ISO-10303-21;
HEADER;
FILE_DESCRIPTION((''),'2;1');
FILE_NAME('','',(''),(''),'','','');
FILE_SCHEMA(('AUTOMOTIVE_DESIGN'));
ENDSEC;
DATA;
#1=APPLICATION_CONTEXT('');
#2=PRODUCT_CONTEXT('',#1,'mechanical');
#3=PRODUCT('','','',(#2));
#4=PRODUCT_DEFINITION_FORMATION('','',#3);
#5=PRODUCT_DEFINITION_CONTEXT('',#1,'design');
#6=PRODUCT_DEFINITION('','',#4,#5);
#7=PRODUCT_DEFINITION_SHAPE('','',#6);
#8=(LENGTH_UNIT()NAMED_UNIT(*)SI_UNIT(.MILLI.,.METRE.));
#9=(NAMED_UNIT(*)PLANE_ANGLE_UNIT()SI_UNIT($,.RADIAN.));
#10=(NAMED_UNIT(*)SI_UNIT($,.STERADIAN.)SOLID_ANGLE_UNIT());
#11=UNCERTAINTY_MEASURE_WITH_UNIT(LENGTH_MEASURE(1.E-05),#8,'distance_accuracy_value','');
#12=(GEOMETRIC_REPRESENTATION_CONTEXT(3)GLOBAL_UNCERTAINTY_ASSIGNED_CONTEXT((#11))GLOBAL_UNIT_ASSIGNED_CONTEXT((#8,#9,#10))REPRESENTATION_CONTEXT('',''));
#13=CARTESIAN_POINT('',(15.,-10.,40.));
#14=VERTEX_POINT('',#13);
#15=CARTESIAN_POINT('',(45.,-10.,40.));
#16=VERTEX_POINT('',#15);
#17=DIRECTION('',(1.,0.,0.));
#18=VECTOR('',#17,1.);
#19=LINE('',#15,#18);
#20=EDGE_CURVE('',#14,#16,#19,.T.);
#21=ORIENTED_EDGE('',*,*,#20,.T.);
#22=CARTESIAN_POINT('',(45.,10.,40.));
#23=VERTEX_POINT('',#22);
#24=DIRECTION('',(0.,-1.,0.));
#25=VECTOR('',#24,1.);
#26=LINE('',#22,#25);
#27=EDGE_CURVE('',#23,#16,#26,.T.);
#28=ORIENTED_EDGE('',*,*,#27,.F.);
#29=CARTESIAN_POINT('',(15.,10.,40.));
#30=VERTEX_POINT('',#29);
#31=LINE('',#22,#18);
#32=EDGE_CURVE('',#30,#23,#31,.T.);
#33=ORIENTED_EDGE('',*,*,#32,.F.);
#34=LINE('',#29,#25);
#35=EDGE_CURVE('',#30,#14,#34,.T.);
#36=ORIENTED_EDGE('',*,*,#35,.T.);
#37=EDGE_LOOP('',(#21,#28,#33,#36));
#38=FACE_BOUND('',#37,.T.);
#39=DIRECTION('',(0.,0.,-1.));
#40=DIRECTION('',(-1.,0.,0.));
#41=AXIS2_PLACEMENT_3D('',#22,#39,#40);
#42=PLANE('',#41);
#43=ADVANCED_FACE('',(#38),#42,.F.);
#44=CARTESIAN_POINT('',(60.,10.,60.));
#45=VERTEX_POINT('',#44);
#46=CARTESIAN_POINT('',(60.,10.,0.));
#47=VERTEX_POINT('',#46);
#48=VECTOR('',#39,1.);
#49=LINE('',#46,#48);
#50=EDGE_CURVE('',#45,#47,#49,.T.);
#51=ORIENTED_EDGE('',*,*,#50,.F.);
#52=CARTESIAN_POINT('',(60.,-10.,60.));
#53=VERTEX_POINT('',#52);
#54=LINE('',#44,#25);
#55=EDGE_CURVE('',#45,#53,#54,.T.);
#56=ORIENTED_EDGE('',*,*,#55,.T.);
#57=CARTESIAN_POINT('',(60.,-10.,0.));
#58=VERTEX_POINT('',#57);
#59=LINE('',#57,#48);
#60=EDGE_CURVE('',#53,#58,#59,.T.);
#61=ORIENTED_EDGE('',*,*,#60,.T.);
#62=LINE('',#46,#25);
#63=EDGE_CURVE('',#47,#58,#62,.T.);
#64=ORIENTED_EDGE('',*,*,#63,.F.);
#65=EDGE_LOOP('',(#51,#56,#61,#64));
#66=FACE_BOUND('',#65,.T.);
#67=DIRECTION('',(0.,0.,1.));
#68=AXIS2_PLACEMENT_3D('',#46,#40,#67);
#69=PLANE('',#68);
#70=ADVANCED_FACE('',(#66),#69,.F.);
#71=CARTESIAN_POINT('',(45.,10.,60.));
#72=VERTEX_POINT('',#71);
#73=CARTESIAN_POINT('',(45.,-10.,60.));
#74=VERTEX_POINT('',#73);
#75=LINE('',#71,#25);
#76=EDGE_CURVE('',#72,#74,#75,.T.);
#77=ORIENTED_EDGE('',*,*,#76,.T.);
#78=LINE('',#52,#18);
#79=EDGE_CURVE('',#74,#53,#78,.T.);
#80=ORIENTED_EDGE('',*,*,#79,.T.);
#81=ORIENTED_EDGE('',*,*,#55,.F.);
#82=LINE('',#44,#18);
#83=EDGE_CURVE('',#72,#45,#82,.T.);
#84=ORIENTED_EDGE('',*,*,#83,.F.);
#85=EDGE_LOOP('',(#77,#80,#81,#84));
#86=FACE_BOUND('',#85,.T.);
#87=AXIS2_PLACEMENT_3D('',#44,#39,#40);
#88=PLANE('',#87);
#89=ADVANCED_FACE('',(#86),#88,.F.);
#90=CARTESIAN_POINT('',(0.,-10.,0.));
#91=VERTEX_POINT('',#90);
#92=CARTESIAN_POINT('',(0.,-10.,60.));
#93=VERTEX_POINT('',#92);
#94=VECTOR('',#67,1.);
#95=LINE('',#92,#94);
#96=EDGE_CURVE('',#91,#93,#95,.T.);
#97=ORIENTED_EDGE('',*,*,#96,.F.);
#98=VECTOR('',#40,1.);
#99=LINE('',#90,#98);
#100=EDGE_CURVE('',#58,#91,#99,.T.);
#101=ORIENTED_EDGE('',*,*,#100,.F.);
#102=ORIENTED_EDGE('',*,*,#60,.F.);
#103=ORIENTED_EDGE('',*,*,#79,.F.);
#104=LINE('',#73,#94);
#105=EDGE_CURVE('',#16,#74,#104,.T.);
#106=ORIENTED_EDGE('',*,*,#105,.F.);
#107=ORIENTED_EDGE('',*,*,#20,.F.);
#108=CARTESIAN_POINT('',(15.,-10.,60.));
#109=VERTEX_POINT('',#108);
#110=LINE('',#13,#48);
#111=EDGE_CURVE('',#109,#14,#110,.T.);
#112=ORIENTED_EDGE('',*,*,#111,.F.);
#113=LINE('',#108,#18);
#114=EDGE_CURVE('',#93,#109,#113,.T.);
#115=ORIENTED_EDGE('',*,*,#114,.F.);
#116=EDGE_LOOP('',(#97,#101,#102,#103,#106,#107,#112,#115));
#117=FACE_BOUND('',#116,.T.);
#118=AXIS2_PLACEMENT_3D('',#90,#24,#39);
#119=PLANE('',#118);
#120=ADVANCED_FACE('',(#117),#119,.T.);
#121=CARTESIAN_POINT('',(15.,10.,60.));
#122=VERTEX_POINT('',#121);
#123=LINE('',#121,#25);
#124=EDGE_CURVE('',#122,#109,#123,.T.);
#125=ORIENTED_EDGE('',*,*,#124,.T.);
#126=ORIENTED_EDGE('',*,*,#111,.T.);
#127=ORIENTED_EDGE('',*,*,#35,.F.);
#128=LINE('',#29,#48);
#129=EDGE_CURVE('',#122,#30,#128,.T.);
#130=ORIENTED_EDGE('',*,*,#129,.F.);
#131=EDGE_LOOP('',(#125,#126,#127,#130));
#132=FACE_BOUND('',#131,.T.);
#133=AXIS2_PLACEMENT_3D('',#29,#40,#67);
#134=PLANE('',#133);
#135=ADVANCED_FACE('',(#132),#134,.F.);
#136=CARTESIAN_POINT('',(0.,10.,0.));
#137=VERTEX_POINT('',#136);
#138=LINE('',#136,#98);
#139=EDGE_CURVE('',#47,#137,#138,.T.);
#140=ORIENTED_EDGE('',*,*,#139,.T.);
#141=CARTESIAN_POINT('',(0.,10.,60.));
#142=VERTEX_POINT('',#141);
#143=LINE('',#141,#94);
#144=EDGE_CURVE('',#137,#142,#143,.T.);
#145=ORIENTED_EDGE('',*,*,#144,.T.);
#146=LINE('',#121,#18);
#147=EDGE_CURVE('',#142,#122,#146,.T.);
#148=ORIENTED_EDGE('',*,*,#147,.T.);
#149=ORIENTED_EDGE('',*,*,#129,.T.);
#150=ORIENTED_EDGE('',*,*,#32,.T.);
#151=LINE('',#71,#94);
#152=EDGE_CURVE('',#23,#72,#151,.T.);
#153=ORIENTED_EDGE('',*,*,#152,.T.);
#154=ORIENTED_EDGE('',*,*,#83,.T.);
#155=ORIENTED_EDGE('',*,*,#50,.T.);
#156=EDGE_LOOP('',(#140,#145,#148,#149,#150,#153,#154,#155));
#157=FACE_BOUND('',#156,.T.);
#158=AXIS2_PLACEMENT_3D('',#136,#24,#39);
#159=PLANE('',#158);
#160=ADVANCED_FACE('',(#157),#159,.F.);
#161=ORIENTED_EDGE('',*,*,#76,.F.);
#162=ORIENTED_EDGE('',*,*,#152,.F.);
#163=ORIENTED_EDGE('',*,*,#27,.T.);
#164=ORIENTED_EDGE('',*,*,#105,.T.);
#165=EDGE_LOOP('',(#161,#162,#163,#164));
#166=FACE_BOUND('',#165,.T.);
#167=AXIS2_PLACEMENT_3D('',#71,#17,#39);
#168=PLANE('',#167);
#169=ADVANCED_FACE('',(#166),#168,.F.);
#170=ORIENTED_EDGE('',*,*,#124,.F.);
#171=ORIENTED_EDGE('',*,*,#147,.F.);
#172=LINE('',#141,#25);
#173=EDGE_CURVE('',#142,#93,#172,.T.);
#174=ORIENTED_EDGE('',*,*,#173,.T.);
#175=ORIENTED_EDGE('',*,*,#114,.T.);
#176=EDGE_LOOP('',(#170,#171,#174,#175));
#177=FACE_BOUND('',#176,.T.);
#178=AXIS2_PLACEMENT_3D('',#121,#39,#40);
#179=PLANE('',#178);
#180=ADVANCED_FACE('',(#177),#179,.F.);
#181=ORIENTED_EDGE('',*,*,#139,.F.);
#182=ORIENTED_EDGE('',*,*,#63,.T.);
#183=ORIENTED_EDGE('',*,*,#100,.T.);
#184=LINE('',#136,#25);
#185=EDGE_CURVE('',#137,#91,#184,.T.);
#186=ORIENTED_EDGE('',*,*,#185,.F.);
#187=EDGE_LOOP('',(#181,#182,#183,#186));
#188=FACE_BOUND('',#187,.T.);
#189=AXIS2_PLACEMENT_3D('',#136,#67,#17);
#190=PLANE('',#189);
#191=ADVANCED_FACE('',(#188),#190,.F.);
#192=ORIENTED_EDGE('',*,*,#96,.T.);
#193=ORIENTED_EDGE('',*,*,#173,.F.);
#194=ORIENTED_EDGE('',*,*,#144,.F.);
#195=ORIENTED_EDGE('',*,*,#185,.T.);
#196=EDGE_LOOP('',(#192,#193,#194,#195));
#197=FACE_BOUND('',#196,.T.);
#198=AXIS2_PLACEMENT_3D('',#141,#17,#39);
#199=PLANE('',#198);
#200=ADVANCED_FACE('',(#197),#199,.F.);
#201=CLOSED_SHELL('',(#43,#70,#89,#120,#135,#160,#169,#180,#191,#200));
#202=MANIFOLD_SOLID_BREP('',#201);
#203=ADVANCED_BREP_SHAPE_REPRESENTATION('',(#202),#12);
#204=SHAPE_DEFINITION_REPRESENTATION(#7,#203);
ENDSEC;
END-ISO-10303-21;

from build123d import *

# Parameters (mm, degrees)
BOSS_EXTRUDE1_DEPTH = 10


with BuildPart() as part:
    # Sketch1 → Boss-Extrude1 (new body, symmetric)
    with BuildSketch(Plane(origin=(0, 0, 0), x_dir=(1, 0, 0), z_dir=(0, 1, 0))):
        Polygon((0, 0), (60, 0), (60, -60), (45, -60), (45, -40), (15, -40), (15, -60), (0, -60), align=None)
    extrude(amount=BOSS_EXTRUDE1_DEPTH, both=True)


solid = part.part
